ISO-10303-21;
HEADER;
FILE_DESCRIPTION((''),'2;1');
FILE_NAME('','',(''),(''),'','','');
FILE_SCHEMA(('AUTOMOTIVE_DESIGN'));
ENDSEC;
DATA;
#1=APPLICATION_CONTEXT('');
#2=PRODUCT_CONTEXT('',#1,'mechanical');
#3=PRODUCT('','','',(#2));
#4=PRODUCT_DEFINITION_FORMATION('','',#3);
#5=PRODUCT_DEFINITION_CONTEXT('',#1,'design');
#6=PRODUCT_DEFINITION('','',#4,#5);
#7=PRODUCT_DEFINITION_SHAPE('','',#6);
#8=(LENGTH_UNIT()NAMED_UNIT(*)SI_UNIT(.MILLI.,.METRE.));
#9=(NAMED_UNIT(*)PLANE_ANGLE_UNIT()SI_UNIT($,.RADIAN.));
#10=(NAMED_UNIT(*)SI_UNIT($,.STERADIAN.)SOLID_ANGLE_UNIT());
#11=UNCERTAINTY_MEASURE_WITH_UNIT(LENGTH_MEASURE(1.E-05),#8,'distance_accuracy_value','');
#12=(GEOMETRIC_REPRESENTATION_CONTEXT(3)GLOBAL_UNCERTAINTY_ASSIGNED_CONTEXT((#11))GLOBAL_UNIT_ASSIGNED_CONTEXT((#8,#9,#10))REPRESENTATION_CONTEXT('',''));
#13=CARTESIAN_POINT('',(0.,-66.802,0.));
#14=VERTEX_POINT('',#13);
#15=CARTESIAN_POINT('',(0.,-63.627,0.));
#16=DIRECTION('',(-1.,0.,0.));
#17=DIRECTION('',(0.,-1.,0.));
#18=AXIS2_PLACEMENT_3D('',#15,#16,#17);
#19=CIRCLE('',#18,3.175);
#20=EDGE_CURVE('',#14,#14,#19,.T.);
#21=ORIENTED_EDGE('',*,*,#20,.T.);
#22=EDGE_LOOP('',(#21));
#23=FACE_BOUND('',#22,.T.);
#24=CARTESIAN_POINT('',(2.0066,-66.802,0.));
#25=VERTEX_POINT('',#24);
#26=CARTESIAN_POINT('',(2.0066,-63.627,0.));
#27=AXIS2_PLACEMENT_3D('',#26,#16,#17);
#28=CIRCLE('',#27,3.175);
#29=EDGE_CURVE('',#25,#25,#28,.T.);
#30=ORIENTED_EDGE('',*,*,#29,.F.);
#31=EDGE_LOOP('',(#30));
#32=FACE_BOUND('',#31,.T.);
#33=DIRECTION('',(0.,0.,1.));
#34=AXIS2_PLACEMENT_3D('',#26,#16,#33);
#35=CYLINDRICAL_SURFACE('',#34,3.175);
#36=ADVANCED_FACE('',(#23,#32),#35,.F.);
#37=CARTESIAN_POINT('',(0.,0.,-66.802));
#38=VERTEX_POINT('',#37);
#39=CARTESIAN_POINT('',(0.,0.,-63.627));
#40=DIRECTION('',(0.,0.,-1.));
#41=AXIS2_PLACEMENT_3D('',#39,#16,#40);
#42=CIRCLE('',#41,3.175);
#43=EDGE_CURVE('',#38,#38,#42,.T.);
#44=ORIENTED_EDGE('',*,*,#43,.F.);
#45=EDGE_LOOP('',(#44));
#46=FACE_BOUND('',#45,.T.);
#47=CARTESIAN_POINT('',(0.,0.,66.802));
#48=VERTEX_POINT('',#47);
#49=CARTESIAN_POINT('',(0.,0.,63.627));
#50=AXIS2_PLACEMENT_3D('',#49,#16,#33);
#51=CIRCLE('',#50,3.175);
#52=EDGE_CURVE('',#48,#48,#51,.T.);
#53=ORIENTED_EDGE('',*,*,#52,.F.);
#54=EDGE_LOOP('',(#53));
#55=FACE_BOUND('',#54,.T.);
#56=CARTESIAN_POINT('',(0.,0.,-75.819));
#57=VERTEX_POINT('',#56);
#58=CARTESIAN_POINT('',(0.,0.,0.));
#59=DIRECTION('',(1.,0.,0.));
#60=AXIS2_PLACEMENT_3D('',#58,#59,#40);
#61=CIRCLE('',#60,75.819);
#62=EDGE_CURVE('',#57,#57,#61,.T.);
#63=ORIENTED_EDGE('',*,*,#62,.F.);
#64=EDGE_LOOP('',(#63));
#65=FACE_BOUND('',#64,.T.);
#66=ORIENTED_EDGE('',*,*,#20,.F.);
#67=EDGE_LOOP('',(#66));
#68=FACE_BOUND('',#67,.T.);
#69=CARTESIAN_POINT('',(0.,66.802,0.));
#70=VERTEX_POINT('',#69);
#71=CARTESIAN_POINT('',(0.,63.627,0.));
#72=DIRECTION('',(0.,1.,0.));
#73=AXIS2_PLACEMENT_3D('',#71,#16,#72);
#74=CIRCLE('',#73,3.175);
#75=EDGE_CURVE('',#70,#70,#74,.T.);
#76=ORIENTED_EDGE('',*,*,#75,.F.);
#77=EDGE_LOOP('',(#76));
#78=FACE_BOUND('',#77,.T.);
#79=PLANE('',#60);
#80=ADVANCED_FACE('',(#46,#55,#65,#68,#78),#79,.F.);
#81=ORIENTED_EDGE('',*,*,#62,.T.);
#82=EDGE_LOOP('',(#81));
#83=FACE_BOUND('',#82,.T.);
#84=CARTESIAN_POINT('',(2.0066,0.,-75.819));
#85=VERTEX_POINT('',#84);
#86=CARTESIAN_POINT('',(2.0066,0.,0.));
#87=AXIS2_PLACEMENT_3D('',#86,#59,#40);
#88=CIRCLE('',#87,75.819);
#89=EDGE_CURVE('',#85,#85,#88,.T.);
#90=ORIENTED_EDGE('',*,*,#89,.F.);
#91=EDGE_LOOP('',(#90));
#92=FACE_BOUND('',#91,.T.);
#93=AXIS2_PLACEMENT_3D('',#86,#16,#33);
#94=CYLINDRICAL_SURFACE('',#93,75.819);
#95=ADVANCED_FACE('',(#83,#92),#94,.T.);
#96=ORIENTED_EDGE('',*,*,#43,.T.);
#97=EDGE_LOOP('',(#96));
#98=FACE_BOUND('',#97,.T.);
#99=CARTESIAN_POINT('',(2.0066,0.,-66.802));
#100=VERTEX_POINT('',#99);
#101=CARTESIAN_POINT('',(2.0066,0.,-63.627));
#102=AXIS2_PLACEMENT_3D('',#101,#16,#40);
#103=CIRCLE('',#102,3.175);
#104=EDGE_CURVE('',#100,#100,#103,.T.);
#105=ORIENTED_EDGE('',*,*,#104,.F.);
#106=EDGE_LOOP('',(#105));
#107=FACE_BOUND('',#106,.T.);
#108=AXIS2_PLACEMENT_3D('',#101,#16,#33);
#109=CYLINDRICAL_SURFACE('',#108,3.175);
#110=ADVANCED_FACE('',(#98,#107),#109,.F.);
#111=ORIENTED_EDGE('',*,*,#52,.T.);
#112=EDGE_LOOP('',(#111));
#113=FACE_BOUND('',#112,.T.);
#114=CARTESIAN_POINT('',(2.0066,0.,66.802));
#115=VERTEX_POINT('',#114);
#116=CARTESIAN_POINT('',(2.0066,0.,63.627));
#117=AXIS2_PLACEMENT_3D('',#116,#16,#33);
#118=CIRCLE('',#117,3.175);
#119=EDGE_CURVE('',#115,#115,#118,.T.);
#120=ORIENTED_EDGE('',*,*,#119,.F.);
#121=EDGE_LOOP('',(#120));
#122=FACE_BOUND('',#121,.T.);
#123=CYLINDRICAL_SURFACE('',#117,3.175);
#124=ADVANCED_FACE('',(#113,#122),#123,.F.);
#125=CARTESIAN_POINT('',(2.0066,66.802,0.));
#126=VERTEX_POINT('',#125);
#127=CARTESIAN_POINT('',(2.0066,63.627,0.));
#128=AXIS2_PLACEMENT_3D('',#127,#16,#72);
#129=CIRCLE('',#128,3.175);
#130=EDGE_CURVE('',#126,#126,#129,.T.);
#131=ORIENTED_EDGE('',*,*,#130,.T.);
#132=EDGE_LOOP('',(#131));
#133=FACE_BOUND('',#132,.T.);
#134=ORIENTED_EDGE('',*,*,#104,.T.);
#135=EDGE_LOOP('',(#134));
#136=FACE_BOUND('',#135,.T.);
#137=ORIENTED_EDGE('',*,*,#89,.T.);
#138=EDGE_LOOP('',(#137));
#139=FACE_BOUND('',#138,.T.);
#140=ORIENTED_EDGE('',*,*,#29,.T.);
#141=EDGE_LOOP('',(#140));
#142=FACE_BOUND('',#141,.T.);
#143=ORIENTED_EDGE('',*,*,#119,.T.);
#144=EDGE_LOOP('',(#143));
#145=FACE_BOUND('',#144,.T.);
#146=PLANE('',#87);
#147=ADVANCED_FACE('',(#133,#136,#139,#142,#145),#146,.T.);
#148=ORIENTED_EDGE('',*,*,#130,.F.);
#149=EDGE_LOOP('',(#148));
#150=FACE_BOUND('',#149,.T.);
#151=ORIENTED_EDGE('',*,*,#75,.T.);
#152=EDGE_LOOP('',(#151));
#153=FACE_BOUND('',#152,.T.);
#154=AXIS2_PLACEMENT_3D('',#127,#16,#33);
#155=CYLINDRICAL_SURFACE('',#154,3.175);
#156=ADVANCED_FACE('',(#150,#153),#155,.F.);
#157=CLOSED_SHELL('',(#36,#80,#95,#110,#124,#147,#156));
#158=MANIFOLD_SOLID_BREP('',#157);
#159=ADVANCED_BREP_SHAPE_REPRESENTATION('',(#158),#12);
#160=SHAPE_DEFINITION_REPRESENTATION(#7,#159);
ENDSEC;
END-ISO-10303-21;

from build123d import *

# Parameters (mm, degrees)
SKETCH1_R           = 75.819
BOSS_EXTRUDE1_DEPTH = 2.0066
SKETCH2_R           = 3.175
CUT_EXTRUDE1_DEPTH  = 108.243032247
CIRPATTERN1_COUNT   = 4


with BuildPart() as part:
    # Sketch1 → Boss-Extrude1 (new body)
    with BuildSketch(Plane.YZ):
        with Locations(Location((0, 0, 0), (0, 0, 270))):
            Circle(SKETCH1_R)
    extrude(amount=BOSS_EXTRUDE1_DEPTH)

    # Sketch2 → Cut-Extrude1 (cut, through all)
    with BuildSketch(Plane.ZY):
        with Locations((63.627, 0)):
            Circle(SKETCH2_R)
    cut_extrude1 = extrude(amount=-CUT_EXTRUDE1_DEPTH, mode=Mode.SUBTRACT)

    # CirPattern1: Cut-Extrude1 ×4 about axis
    cirpattern1_axis = Axis((0, 0, 0), (1, 0, 0))
    for i in range(1, CIRPATTERN1_COUNT):
        add(cut_extrude1.rotate(cirpattern1_axis, i * 360 / CIRPATTERN1_COUNT), mode=Mode.SUBTRACT)


solid = part.part
